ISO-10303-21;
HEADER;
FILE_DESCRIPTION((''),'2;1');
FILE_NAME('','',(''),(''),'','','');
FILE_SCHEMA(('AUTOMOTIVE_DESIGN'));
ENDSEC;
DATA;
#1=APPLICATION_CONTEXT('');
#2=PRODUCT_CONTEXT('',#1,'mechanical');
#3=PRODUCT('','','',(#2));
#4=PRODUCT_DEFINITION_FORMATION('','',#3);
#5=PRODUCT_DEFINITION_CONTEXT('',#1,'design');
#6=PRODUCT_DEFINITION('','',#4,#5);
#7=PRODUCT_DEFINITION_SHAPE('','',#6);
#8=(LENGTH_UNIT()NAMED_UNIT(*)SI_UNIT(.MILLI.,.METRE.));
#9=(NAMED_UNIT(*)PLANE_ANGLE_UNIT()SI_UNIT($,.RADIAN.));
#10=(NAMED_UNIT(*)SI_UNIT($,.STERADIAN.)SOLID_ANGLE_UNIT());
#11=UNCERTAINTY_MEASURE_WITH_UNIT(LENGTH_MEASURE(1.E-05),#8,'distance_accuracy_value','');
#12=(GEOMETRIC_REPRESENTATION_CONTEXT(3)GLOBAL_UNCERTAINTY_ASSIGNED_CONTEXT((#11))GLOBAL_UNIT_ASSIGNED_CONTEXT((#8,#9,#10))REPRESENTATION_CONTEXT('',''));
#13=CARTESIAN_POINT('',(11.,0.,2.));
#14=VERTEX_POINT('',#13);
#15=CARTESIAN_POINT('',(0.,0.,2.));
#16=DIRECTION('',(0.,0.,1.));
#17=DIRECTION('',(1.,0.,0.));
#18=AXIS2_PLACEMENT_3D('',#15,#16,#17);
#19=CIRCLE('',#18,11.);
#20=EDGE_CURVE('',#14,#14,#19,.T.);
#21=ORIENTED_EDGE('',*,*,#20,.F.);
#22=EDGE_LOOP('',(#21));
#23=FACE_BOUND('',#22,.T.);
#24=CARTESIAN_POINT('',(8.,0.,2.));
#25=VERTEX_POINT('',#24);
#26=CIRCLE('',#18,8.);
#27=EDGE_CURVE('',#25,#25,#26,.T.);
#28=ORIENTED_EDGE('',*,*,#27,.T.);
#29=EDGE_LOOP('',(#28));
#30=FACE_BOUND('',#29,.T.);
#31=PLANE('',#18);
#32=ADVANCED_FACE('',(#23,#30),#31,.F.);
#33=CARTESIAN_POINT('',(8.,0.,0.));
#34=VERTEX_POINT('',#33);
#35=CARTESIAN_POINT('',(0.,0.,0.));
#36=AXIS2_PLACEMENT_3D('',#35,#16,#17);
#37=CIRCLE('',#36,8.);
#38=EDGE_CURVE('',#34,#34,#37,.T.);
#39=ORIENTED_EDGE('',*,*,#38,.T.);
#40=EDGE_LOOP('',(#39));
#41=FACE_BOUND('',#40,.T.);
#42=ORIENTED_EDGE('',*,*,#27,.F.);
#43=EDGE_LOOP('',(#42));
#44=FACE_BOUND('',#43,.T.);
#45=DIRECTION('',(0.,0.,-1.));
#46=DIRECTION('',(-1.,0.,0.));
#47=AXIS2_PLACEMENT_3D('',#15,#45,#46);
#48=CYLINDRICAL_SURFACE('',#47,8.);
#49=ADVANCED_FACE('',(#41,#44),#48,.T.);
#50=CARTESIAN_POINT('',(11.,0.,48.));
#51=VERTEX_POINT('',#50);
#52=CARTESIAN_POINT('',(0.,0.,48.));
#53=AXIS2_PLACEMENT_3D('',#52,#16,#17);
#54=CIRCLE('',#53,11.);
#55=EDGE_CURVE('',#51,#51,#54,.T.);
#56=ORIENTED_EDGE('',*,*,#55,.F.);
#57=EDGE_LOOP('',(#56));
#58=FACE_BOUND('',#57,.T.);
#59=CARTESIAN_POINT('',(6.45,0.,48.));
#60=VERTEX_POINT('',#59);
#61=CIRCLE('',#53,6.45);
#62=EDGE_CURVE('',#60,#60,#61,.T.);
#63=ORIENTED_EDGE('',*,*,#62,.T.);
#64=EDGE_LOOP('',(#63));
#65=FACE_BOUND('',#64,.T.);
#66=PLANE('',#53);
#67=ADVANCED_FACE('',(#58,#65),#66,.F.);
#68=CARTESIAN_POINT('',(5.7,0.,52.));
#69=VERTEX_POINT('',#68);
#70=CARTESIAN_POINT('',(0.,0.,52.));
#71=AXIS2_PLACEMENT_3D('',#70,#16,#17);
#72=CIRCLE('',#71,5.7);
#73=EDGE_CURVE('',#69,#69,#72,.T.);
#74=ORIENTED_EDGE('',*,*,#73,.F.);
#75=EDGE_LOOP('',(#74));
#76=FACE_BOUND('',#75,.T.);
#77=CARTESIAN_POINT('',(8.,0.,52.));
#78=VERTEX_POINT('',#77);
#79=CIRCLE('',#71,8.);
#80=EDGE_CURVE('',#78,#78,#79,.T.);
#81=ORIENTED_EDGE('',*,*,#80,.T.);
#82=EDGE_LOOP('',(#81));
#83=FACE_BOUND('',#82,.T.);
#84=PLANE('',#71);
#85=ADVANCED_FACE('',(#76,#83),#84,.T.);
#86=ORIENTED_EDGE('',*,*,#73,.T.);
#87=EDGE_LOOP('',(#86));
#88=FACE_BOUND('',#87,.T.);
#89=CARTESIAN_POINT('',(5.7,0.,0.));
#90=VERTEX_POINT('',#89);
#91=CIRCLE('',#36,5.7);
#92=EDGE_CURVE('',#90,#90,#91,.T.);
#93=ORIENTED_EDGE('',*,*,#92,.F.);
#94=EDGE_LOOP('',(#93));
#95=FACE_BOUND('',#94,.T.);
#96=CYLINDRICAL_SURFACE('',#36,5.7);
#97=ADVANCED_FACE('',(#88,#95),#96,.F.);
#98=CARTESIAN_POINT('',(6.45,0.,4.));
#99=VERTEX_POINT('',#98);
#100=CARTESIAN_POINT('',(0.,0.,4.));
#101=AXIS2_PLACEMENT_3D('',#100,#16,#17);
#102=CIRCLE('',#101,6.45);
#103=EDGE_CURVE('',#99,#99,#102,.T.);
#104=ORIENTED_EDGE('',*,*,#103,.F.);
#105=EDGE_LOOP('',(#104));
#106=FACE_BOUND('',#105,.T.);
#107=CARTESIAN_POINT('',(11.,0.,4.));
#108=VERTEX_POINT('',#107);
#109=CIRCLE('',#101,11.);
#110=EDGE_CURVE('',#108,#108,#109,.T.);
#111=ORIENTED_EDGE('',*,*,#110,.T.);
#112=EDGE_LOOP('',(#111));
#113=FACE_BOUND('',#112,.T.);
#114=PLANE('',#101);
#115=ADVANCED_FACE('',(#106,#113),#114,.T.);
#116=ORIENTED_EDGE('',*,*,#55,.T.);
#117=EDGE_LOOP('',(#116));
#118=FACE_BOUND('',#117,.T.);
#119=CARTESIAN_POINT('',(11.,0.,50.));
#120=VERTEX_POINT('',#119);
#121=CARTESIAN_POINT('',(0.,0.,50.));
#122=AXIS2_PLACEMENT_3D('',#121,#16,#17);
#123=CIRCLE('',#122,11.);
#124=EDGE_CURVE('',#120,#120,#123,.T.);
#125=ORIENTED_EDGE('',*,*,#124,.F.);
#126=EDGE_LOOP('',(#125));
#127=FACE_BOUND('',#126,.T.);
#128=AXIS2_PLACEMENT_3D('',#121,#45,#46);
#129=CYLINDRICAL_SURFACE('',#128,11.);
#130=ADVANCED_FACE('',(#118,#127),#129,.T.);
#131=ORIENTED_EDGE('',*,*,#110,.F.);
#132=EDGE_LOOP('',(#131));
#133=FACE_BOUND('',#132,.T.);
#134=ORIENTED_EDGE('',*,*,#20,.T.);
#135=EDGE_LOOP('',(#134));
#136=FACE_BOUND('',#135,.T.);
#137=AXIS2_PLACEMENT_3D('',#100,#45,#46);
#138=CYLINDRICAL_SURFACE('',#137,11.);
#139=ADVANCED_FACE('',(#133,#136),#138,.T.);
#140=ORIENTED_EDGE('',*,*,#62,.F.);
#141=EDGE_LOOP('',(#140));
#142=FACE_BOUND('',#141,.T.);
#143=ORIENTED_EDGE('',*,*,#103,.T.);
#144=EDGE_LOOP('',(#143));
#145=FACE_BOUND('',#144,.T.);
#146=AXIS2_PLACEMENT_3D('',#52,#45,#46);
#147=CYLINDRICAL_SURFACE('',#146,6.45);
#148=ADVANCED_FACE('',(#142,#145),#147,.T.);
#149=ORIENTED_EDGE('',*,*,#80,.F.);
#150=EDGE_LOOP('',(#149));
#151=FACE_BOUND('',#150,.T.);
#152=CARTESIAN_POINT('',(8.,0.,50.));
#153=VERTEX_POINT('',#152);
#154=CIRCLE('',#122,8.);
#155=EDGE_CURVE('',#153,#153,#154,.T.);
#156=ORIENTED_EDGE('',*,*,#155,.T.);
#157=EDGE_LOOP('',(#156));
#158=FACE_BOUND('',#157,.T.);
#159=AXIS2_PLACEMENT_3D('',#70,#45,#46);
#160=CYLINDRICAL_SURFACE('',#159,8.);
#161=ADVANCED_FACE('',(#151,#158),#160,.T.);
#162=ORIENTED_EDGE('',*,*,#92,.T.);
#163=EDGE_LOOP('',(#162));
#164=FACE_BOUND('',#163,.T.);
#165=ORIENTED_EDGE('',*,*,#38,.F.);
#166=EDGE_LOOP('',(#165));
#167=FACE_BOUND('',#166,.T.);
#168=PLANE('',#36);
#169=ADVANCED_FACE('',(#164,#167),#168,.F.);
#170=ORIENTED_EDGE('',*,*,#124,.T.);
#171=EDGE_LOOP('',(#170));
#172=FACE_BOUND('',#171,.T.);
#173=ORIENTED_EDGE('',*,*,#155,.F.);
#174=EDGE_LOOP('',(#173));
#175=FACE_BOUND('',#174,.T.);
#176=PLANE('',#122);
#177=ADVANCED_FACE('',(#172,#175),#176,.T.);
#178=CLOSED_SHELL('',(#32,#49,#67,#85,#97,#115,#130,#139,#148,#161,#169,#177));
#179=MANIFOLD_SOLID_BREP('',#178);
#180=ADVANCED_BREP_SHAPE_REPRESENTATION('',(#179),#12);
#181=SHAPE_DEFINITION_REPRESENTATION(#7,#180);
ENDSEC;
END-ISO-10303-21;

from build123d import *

# Parameters (mm, degrees)
SKETCH1_R           = 8
BOSS_EXTRUDE1_DEPTH = 2
SKETCH2_R           = 11
BOSS_EXTRUDE2_DEPTH = 2
SKETCH3_R           = 6.45
BOSS_EXTRUDE3_DEPTH = 44
SKETCH4_R           = 11
BOSS_EXTRUDE4_DEPTH = 2
SKETCH5_R           = 8
BOSS_EXTRUDE5_DEPTH = 2
SKETCH6_R           = 5.7
CUT_EXTRUDE1_DEPTH  = 53


with BuildPart() as part:
    # Sketch1 → Boss-Extrude1 (new body)
    with BuildSketch(Plane.XY):
        Circle(SKETCH1_R)
    extrude(amount=BOSS_EXTRUDE1_DEPTH)

    # Sketch2 → Boss-Extrude2 (add)
    with BuildSketch(Plane.XY.offset(2)):
        Circle(SKETCH2_R)
    extrude(amount=BOSS_EXTRUDE2_DEPTH)

    # Sketch3 → Boss-Extrude3 (add)
    with BuildSketch(Plane.XY.offset(4)):
        Circle(SKETCH3_R)
    extrude(amount=BOSS_EXTRUDE3_DEPTH)

    # Sketch4 → Boss-Extrude4 (add)
    with BuildSketch(Plane.XY.offset(48)):
        Circle(SKETCH4_R)
    extrude(amount=BOSS_EXTRUDE4_DEPTH)

    # Sketch5 → Boss-Extrude5 (add)
    with BuildSketch(Plane.XY.offset(50)):
        Circle(SKETCH5_R)
    extrude(amount=BOSS_EXTRUDE5_DEPTH)

    # Sketch6 → Cut-Extrude1 (cut, through all)
    with BuildSketch(Plane.XY.offset(52)):
        Circle(SKETCH6_R)
    extrude(amount=-CUT_EXTRUDE1_DEPTH, mode=Mode.SUBTRACT)


solid = part.part
